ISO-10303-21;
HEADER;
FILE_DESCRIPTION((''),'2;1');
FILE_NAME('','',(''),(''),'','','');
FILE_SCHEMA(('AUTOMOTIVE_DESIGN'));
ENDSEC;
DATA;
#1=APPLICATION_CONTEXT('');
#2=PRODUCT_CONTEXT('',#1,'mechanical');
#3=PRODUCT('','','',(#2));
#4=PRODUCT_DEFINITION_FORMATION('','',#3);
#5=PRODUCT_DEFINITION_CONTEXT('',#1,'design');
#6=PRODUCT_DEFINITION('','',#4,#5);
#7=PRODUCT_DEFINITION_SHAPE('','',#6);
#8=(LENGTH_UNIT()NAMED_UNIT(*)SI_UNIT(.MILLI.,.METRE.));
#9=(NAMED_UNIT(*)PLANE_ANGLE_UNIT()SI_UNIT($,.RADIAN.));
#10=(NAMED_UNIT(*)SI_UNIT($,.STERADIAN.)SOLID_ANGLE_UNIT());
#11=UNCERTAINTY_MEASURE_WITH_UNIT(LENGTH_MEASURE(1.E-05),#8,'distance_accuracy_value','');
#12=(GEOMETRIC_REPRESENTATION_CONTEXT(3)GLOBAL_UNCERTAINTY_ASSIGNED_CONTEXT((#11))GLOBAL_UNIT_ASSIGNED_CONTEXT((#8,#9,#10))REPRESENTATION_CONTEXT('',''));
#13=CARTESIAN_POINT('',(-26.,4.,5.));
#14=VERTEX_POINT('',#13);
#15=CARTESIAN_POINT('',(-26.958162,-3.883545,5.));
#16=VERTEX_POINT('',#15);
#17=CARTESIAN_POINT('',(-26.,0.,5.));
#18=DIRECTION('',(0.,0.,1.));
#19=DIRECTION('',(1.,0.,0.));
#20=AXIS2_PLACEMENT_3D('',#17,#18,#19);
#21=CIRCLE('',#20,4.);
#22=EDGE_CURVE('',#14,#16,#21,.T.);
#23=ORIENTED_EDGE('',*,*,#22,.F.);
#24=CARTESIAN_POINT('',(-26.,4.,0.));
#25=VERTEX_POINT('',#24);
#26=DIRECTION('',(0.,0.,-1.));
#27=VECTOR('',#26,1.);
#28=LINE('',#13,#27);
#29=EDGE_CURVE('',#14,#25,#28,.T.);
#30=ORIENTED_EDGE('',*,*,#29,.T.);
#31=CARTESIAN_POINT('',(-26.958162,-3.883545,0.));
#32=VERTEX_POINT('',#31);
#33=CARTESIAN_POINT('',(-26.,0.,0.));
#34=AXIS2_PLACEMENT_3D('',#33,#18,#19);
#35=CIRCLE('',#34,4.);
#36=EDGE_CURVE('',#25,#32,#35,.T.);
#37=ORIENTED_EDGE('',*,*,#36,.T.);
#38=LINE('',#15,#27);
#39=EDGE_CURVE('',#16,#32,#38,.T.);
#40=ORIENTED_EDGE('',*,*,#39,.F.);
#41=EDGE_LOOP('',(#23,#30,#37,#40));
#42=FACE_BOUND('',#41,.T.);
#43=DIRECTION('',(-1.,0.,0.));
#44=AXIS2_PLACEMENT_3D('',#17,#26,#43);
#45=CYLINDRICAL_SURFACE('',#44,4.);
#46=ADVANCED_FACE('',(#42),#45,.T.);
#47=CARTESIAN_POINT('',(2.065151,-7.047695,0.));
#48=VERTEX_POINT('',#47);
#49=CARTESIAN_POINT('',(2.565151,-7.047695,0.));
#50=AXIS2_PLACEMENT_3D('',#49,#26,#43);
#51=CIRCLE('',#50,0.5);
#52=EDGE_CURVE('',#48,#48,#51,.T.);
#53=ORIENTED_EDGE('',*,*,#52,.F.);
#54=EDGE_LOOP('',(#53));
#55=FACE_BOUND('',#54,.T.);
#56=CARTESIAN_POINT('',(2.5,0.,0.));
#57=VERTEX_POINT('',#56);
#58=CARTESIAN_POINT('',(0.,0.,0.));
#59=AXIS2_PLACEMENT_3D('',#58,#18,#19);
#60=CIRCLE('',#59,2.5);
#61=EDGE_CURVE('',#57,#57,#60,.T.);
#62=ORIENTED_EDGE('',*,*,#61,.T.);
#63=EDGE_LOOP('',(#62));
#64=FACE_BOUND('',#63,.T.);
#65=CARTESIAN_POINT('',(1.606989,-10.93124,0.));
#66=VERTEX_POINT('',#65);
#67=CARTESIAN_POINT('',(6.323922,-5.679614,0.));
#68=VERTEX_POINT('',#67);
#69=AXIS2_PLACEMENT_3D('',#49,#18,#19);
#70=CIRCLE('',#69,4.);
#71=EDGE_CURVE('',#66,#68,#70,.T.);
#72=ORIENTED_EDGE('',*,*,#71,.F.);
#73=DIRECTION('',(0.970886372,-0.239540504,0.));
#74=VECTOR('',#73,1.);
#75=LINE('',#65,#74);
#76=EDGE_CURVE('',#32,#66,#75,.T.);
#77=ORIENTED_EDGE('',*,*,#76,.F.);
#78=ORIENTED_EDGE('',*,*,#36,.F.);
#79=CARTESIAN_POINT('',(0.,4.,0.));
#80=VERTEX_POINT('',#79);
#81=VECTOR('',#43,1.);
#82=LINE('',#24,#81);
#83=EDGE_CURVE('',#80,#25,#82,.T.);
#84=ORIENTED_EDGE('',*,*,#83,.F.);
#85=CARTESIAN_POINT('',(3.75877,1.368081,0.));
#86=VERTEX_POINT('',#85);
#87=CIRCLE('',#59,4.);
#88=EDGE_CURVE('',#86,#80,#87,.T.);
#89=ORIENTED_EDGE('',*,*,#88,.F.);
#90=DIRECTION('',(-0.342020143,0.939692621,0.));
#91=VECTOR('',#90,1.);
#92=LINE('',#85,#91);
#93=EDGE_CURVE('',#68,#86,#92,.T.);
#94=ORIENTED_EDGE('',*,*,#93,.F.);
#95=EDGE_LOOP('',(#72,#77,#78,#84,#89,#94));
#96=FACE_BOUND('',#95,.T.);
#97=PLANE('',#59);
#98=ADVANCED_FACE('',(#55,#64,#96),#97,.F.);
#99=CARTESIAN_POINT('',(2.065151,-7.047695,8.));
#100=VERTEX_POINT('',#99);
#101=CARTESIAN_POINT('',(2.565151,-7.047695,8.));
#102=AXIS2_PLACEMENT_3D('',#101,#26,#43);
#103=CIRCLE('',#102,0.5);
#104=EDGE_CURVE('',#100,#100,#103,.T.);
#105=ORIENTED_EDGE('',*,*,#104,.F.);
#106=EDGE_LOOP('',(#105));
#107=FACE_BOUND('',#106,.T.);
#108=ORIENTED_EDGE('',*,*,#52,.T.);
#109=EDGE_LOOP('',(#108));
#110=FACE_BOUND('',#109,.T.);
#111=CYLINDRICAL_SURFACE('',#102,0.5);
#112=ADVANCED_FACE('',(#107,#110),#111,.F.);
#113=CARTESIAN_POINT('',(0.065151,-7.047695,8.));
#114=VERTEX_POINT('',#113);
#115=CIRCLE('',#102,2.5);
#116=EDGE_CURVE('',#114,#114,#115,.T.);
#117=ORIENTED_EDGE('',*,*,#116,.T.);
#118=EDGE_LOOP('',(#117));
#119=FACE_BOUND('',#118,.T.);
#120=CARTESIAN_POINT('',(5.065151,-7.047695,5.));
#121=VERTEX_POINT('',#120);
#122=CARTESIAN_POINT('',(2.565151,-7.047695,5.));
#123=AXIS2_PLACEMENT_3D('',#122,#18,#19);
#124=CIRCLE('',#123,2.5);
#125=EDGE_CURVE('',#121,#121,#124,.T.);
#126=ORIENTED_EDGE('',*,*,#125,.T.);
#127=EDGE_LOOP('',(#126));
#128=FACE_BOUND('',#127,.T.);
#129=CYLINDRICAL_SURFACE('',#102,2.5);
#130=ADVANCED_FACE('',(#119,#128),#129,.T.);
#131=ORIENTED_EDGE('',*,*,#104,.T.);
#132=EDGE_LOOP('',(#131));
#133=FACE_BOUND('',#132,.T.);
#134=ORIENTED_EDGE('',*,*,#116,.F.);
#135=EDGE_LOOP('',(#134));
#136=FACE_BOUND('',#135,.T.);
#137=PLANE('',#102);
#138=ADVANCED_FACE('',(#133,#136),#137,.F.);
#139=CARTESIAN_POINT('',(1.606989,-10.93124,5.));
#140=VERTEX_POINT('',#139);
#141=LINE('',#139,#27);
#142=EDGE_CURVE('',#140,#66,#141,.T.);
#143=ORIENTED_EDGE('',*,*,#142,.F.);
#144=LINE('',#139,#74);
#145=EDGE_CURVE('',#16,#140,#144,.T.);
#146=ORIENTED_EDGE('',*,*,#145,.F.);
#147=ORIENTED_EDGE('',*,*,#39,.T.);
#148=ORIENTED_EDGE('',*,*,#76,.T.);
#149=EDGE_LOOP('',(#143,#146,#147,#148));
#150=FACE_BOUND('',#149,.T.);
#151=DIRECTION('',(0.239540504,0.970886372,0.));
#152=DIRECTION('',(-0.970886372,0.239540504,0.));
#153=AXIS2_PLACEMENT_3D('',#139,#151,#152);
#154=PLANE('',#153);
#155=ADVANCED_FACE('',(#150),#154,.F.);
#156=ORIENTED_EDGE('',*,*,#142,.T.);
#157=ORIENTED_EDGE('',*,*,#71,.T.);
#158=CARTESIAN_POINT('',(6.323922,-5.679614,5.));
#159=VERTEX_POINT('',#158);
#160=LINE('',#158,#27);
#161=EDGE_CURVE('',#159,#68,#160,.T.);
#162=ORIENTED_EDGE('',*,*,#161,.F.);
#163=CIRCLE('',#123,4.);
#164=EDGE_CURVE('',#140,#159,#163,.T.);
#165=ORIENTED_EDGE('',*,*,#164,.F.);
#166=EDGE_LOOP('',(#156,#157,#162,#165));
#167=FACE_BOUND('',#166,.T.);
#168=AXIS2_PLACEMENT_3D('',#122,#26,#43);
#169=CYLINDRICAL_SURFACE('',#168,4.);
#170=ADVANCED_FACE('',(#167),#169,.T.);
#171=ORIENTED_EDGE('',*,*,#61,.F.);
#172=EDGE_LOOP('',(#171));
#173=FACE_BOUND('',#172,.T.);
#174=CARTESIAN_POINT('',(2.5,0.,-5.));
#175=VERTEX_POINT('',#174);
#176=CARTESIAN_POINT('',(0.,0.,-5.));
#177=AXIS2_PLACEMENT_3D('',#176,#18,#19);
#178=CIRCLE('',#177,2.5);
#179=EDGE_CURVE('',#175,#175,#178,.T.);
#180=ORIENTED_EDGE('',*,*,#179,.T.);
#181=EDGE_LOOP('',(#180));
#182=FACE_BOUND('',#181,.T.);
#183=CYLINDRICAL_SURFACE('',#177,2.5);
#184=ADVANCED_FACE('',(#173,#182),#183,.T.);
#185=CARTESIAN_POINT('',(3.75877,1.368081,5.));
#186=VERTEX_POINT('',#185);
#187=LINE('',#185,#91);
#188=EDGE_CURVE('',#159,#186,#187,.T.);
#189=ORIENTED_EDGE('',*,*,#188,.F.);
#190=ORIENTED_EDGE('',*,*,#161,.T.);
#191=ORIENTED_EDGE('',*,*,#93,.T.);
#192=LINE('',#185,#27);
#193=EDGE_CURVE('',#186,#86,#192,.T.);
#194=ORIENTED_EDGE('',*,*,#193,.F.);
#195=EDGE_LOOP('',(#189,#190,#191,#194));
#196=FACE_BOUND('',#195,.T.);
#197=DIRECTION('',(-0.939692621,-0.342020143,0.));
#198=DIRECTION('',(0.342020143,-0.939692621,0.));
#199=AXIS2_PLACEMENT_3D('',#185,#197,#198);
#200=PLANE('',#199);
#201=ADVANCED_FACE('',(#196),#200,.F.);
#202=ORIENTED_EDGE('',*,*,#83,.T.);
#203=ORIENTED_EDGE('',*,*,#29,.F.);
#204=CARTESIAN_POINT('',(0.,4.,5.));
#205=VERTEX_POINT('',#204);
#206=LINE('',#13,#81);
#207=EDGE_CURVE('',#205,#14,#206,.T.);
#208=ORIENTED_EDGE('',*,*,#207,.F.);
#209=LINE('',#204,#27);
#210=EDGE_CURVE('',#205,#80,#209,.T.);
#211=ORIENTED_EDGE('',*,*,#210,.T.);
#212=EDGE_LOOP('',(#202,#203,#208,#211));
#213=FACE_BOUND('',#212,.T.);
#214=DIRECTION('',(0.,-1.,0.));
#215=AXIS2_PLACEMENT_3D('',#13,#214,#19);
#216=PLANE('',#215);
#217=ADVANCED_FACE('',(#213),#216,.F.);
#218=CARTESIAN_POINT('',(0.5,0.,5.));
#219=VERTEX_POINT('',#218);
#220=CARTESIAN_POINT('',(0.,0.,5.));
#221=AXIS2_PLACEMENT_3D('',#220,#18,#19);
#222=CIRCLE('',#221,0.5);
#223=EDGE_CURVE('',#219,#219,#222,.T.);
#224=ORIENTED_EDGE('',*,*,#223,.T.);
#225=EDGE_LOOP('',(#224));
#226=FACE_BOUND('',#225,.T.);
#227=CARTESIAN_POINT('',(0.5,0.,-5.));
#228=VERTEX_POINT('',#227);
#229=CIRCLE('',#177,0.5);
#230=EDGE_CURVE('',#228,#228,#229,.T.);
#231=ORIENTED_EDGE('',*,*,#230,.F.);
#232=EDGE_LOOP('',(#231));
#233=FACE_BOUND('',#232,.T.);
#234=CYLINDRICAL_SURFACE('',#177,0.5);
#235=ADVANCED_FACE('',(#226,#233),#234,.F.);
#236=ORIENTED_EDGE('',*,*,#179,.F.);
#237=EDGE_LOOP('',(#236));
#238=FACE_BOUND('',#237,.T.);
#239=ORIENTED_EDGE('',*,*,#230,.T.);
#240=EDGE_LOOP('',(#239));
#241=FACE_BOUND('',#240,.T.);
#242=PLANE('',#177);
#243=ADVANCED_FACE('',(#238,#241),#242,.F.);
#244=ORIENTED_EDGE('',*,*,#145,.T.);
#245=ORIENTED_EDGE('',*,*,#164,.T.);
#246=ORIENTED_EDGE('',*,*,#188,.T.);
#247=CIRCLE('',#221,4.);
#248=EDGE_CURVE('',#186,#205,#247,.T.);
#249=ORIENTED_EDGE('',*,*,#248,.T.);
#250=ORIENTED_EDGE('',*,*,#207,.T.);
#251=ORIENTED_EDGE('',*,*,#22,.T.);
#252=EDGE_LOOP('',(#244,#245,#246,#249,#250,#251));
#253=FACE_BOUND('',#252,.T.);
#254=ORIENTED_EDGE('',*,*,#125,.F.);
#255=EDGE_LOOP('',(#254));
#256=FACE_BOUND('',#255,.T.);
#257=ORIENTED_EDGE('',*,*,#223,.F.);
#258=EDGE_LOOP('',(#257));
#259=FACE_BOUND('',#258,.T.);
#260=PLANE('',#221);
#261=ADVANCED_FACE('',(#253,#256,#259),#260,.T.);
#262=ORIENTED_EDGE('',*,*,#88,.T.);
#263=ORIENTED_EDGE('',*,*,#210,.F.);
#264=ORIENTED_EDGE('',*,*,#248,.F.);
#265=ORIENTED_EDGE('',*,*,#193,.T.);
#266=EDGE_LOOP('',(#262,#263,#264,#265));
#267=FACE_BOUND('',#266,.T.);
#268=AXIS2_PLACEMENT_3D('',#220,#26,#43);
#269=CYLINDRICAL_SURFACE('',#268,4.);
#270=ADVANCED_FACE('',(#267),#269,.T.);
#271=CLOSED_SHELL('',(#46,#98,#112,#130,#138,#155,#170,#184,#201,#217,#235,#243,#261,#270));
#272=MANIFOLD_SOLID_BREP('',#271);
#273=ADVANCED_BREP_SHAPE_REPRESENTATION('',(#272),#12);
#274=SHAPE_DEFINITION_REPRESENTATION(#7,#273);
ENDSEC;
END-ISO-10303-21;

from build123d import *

# Parameters (mm, degrees)
SKETCH2_R           = 2.5
BOSS_EXTRUDE1_DEPTH = 5
BOSS_EXTRUDE2_START = -10
SKETCH3_R           = 2.5
SKETCH3_R_2         = 0.5
BOSS_EXTRUDE2_DEPTH = 10
SKETCH4_R           = 2.5
SKETCH4_R_2         = 0.5
BOSS_EXTRUDE3_DEPTH = 8
SKETCH5_R           = 2.5
BOSS_EXTRUDE4_DEPTH = 5


with BuildPart() as part:
    # Sketch2 → Boss-Extrude1 (new body)
    with BuildSketch(Plane.XY):
        with BuildLine():
            Line((-26, 4), (0, 4))
            ThreePointArc((0, 4), (2.294305745, 3.276608177), (3.758770483, 1.368080573))
            Line((3.758770483, 1.368080573), (6.323921558, -5.679614083))
            ThreePointArc((6.323921558, -5.679614083), (5.541011625, -9.720568388), (1.606989058, -10.931240143))
            Line((1.606989058, -10.931240143), (-26.958162017, -3.883545487))
            ThreePointArc((-26.958162017, -3.883545487), (-29.970779643, 0.482606492), (-26, 4))
        make_face()
        with Locations((-26, 0)):
            Circle(SKETCH2_R, mode=Mode.SUBTRACT)
        Circle(SKETCH2_R, mode=Mode.SUBTRACT)
        with Locations((2.565151075, -7.047694656)):
            Circle(SKETCH2_R, mode=Mode.SUBTRACT)
    extrude(amount=BOSS_EXTRUDE1_DEPTH)

    # Sketch3 → Boss-Extrude2 (add)
    with BuildSketch(Plane.XY.offset(5).offset(BOSS_EXTRUDE2_START)):
        Circle(SKETCH3_R)
        Circle(SKETCH3_R_2, mode=Mode.SUBTRACT)
    extrude(amount=BOSS_EXTRUDE2_DEPTH)

    # Sketch4 → Boss-Extrude3 (add)
    with BuildSketch(Plane(origin=(0, 0, 0), x_dir=(-1, 0, 0), z_dir=(0, 0, -1))):
        with Locations((-2.565151075, -7.047694656)):
            Circle(SKETCH4_R)
        with Locations((-2.565151075, -7.047694656)):
            Circle(SKETCH4_R_2, mode=Mode.SUBTRACT)
    extrude(amount=-BOSS_EXTRUDE3_DEPTH)

    # Sketch5 → Boss-Extrude4 (add)
    with BuildSketch(Plane(origin=(0, 0, 0), x_dir=(-1, 0, 0), z_dir=(0, 0, -1))):
        with Locations((26, 0)):
            Circle(SKETCH5_R)
    extrude(amount=-BOSS_EXTRUDE4_DEPTH)


solid = part.part
